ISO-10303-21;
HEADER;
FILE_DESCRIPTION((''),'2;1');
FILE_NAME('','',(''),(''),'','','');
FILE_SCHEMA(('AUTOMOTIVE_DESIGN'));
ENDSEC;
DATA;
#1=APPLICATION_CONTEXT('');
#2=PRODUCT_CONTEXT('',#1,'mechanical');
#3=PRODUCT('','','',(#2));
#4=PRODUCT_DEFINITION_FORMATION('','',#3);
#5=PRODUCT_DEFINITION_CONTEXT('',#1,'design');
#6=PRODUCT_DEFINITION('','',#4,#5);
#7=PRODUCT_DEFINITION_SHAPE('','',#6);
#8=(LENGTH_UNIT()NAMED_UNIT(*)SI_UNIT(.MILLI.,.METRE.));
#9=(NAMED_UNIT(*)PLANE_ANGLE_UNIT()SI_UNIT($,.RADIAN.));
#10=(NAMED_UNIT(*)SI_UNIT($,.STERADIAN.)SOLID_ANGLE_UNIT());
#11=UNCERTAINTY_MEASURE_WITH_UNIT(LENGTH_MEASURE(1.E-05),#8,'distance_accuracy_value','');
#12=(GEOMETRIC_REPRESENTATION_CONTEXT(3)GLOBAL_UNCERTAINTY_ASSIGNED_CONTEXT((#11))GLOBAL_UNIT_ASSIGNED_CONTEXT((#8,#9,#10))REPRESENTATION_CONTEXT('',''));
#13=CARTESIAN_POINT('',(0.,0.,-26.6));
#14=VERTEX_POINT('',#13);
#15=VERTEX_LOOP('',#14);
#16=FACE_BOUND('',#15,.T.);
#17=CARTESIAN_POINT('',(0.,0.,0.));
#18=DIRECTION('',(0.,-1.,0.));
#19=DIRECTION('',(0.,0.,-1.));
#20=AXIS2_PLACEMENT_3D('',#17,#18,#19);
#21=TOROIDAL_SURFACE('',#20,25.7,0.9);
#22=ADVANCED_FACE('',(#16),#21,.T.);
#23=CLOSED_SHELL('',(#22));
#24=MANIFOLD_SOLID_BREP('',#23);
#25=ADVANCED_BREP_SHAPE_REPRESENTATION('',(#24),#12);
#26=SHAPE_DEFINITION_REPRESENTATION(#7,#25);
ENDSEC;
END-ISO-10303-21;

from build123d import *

# Parameters (mm, degrees)
SKETCH1_R = 0.9


with BuildPart() as part:
    # Sketch1 → Revolve1 (revolve)
    with BuildSketch(Plane(origin=(0, 0, 0), x_dir=(0, 0, -1), z_dir=(1, 0, 0)), mode=Mode.PRIVATE) as revolve1_sk:
        with Locations((-25.7, 0)):
            Circle(SKETCH1_R)
    revolve(revolve1_sk.sketch.rotate(Axis((0, -6.843396226, 0), (0, 1, 0)), 180), axis=Axis((0, -6.843396226, 0), (0, 1, 0)))


solid = part.part
